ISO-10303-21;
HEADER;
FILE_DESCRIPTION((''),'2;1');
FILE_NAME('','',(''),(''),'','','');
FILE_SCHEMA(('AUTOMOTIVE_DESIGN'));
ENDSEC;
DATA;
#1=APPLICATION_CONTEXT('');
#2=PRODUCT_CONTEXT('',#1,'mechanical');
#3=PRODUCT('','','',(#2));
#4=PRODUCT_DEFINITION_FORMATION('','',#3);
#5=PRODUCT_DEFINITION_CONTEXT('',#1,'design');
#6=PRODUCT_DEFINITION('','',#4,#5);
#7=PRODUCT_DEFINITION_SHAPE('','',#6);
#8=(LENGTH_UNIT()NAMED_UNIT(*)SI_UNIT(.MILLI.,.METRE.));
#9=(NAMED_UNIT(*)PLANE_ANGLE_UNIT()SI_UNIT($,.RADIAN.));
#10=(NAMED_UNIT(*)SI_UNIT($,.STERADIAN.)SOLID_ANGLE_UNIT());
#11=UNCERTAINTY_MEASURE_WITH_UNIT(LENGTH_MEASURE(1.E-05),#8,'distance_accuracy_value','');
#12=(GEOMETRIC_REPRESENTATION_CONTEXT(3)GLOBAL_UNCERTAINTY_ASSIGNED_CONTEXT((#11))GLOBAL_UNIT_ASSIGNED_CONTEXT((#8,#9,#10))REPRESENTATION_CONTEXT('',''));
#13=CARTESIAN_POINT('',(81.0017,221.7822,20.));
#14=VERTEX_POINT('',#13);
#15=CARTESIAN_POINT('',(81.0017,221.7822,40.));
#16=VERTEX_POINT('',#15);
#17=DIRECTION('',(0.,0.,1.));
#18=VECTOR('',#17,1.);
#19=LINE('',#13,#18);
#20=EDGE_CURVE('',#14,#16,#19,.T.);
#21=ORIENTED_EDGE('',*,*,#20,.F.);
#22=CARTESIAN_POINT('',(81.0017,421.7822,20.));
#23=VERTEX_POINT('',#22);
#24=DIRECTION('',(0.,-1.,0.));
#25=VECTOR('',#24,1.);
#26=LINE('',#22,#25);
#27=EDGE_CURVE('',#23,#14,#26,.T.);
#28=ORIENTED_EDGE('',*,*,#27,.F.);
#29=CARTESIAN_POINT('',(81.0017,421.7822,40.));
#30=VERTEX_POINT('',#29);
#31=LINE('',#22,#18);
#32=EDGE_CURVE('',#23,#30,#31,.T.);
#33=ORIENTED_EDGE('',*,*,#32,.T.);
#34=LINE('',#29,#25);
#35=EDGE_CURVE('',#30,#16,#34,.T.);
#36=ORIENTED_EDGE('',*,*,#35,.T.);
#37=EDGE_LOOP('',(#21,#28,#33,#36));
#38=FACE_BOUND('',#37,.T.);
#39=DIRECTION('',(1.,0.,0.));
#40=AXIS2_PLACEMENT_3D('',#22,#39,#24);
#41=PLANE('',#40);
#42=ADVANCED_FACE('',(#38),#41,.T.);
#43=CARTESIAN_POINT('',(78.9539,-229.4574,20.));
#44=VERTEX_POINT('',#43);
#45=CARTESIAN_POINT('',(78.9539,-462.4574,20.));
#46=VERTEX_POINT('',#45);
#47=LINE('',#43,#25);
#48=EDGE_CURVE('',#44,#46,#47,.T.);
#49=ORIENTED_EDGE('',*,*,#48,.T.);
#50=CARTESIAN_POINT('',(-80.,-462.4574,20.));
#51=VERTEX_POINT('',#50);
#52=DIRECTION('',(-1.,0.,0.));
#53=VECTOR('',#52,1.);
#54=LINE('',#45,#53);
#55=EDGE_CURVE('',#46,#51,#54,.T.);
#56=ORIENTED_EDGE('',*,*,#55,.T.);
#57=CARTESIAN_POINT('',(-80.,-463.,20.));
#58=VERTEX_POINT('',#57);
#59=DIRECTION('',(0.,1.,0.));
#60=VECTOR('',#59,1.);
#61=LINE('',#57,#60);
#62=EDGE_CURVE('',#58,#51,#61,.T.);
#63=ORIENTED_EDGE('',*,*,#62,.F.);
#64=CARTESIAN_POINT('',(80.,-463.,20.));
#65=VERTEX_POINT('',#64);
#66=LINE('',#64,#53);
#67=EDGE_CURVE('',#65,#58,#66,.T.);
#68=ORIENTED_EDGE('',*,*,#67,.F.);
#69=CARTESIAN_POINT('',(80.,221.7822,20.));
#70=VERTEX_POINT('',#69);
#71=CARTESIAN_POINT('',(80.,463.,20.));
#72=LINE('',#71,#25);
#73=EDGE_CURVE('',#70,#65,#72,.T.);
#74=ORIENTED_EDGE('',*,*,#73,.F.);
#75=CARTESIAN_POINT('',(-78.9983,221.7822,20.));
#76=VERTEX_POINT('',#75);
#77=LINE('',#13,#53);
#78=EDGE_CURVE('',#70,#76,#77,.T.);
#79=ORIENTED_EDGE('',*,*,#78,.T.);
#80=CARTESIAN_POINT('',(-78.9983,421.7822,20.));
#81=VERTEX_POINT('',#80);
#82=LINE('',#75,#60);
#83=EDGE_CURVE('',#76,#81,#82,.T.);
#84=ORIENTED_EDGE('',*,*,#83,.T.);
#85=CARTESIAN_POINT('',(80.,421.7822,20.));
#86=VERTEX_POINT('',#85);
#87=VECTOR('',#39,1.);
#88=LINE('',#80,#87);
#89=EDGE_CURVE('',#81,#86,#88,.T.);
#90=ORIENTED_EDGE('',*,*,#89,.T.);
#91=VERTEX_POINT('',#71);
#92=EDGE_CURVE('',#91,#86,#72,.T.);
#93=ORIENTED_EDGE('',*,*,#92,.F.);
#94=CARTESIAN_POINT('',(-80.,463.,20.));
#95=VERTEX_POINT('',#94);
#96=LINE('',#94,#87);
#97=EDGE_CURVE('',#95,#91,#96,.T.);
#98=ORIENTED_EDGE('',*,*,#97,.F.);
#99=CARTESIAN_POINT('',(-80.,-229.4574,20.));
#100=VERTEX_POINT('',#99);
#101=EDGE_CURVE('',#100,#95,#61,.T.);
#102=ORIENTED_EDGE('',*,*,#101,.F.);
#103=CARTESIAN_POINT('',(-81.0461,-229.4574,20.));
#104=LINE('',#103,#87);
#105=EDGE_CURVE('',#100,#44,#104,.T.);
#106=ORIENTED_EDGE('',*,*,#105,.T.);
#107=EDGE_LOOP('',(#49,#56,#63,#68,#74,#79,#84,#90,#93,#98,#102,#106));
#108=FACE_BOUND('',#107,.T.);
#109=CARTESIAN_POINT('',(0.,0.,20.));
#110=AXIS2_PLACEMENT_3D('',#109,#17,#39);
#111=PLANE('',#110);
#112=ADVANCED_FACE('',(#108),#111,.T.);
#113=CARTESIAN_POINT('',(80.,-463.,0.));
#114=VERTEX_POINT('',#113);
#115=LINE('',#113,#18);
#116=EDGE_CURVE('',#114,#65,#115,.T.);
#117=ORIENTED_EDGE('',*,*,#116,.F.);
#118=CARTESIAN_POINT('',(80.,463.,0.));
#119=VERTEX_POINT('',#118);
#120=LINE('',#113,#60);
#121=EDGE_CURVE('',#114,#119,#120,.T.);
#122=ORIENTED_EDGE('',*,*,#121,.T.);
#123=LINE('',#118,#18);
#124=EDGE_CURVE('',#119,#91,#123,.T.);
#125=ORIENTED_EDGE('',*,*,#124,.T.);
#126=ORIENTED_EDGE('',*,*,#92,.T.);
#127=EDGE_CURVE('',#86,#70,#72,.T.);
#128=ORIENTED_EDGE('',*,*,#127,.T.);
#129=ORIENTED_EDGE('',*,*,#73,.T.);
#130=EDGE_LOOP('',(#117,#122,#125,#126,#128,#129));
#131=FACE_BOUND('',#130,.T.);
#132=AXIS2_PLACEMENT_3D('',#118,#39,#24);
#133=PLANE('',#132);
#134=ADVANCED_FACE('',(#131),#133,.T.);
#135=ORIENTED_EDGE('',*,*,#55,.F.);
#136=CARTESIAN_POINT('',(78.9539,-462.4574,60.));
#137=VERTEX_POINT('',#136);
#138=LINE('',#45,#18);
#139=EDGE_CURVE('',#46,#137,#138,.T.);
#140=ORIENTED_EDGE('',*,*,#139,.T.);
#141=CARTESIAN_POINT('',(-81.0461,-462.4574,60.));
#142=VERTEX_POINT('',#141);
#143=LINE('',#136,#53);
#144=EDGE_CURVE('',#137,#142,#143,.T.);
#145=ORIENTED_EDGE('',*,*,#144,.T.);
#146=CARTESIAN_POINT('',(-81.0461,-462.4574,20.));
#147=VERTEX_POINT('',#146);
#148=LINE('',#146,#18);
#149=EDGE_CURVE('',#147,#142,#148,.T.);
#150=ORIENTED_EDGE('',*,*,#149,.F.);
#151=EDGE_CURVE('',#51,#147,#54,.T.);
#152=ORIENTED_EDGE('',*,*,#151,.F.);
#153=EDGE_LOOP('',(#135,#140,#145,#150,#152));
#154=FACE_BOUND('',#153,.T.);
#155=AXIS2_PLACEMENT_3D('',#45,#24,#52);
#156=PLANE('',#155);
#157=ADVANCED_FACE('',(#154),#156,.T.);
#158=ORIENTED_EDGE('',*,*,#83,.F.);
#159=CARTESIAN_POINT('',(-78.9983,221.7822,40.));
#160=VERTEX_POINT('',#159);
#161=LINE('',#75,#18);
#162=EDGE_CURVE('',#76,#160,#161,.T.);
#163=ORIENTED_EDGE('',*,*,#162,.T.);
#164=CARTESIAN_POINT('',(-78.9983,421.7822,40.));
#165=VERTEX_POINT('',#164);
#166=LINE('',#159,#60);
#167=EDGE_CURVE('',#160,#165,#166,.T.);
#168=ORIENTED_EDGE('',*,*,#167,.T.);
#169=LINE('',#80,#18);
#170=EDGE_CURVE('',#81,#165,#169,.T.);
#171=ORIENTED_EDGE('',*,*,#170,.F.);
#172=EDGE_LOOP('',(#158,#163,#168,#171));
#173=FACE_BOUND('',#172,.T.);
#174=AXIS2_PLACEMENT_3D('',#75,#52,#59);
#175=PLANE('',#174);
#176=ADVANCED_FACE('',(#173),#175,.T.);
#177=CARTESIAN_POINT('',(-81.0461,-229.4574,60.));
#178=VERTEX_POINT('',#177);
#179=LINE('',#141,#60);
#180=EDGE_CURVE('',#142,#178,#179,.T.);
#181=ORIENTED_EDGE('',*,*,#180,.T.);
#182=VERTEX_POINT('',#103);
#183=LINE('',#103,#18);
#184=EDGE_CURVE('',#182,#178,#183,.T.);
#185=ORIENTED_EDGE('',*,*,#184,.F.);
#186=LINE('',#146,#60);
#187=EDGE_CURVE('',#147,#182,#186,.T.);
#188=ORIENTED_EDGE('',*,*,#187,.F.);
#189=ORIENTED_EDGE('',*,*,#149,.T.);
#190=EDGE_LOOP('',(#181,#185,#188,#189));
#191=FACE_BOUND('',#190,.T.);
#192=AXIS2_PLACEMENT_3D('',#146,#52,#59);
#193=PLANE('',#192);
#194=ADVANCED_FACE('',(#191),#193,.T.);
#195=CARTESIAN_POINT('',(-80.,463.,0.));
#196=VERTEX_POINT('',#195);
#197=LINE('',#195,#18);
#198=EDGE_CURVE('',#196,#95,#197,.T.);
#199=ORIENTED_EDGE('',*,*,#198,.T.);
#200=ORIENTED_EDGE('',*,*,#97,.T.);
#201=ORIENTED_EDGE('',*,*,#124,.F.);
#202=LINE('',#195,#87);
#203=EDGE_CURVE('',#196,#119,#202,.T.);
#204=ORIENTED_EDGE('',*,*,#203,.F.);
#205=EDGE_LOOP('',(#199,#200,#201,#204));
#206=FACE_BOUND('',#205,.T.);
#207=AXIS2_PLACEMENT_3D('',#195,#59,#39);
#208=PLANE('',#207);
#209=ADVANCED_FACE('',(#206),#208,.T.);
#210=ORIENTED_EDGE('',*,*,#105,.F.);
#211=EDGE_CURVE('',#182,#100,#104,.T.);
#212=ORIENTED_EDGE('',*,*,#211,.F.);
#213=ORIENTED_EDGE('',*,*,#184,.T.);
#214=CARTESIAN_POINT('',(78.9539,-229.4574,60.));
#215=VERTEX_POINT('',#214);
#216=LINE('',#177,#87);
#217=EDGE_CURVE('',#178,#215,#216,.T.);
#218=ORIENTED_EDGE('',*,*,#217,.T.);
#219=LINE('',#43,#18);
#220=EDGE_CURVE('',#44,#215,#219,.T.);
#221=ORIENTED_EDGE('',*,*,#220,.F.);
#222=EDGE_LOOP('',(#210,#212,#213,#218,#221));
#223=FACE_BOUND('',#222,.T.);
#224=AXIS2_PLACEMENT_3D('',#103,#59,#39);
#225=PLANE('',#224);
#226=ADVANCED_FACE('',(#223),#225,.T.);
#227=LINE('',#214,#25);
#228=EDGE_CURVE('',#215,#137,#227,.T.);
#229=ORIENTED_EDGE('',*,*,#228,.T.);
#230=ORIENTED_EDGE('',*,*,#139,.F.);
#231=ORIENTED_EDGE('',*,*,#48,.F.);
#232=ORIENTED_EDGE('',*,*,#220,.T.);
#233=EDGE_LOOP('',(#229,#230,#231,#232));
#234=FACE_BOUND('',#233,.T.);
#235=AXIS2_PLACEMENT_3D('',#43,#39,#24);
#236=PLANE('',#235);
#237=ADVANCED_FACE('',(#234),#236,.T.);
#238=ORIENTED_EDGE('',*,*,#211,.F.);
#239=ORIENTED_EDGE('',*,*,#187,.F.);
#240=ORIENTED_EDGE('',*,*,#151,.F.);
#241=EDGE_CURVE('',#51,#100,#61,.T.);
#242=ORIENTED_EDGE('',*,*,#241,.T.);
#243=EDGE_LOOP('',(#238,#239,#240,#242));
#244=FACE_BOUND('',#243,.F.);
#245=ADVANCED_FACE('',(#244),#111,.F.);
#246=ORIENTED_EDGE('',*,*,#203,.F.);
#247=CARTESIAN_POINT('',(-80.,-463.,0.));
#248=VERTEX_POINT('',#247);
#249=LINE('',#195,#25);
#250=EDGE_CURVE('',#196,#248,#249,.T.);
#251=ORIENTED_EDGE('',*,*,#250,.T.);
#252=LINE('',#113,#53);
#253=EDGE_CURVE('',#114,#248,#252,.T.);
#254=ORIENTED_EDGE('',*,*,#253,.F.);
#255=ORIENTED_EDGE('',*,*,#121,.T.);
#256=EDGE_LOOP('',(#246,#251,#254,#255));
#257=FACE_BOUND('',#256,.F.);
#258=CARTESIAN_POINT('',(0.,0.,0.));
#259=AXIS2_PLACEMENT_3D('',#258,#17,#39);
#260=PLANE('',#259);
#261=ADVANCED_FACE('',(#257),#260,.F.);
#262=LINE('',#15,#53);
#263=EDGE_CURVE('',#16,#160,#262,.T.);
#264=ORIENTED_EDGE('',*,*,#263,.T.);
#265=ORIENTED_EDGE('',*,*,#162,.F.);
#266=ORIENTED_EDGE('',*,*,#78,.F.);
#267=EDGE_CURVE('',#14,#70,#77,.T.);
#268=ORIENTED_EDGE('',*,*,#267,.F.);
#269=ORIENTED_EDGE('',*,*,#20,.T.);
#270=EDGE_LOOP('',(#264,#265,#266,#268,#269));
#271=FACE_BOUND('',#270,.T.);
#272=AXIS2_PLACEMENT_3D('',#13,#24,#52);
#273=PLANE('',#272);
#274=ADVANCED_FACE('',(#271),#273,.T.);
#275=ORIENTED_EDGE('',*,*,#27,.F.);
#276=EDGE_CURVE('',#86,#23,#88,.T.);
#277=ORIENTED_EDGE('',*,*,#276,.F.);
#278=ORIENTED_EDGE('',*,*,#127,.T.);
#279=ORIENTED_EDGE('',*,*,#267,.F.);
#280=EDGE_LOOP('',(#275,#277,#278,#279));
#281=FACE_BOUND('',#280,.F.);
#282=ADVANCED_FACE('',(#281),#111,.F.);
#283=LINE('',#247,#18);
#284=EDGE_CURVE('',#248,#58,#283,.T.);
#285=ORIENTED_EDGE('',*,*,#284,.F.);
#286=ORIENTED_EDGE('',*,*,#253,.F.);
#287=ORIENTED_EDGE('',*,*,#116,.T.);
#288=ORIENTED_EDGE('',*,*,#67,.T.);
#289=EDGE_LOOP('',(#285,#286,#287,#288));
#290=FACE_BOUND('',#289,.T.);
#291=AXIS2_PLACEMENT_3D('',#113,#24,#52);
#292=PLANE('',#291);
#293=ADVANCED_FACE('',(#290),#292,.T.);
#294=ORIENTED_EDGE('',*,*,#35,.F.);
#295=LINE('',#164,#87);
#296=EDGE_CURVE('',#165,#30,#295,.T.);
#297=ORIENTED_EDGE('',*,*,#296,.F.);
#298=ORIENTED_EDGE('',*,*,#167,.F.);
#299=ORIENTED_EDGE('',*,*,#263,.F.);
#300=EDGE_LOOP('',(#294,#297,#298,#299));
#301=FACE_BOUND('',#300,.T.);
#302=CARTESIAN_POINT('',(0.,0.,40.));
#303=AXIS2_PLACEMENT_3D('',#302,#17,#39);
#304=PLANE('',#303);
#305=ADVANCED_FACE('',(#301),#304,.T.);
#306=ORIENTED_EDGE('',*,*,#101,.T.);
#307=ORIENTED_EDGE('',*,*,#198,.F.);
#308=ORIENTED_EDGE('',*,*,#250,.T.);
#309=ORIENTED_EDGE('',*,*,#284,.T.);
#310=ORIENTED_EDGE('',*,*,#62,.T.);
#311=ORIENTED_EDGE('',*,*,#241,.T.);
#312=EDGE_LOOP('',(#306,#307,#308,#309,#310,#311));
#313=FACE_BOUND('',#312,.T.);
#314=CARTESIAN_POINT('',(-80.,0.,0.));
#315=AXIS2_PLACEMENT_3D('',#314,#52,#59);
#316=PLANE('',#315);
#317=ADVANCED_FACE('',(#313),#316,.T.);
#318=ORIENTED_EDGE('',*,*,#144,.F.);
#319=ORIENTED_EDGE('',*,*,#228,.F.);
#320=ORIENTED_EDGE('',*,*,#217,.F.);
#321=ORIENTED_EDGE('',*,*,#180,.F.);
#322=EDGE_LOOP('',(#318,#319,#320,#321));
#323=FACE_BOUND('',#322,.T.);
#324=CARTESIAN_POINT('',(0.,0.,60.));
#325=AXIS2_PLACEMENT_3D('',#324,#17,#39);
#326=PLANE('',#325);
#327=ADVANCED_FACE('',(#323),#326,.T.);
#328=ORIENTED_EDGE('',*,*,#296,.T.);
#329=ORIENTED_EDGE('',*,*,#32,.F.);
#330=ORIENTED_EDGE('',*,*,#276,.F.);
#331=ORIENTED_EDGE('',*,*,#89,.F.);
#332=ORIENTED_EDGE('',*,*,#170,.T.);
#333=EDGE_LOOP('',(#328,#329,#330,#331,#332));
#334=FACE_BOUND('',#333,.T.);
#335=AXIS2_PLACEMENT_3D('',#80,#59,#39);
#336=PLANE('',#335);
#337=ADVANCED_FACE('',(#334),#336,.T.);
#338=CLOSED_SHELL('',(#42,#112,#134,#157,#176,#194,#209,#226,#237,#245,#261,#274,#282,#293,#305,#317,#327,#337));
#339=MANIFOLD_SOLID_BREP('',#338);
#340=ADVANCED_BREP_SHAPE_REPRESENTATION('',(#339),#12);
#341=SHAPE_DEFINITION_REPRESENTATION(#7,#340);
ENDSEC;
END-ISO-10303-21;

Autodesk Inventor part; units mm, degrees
ref_plane "YZ Plane" through (0, 0, 0) normal (1, 0, 0) x (0, 1, 0)
ref_plane "XZ Plane" through (0, 0, 0) normal (0, 1, 0) x (-1, 0, 0)
sketch "Sketch1" plane through (0, 0, 0) normal (0, 0, 1) x (1, 0, 0)
  line L0 (-80, 463) -> (80, 463)
  line L1 (80, 463) -> (80, -463)
  line L2 (80, -463) -> (-80, -463)
  line L3 (-80, -463) -> (-80, 463)
  line L4 (0, 144.4625) -> (0, -193.675)
  line L5 (-174.625, 0) -> (185.7375, 0)
  point P0 (0, 0)
  dimension "d0" = 160
  dimension "d1" = 926
extrude "Extrusion1" add sketch "Sketch1" along normal blind 20
ref_plane "Work Plane1" through (0, 0, 20) normal (0, 0, 1) x (1, 0, 0)
sketch "Sketch2" plane through (0, 0, 20) normal (0, 0, 1) x (1, 0, 0)
  line L0 (-78.9983, 421.7822) -> (81.0017, 421.7822)
  line L1 (81.0017, 421.7822) -> (81.0017, 221.7822)
  line L2 (81.0017, 221.7822) -> (-78.9983, 221.7822)
  line L3 (-78.9983, 221.7822) -> (-78.9983, 421.7822)
  point P0 (0, 0)
  dimension "d5" = 200
  dimension "d6" = 160
extrude "Extrusion2" add sketch "Sketch2" along normal blind 20
sketch "Sketch3" plane through (0, 0, 20) normal (0, 0, 1) x (1, 0, 0)
  line L0 (-81.0461, -229.4574) -> (78.9539, -229.4574)
  line L1 (78.9539, -229.4574) -> (78.9539, -462.4574)
  line L2 (78.9539, -462.4574) -> (-81.0461, -462.4574)
  line L3 (-81.0461, -462.4574) -> (-81.0461, -229.4574)
  point P0 (0, 0)
  dimension "d9" = 233
  dimension "d10" = 160
extrude "Extrusion3" add sketch "Sketch3" along normal blind 40
properties part number "USW16T"
